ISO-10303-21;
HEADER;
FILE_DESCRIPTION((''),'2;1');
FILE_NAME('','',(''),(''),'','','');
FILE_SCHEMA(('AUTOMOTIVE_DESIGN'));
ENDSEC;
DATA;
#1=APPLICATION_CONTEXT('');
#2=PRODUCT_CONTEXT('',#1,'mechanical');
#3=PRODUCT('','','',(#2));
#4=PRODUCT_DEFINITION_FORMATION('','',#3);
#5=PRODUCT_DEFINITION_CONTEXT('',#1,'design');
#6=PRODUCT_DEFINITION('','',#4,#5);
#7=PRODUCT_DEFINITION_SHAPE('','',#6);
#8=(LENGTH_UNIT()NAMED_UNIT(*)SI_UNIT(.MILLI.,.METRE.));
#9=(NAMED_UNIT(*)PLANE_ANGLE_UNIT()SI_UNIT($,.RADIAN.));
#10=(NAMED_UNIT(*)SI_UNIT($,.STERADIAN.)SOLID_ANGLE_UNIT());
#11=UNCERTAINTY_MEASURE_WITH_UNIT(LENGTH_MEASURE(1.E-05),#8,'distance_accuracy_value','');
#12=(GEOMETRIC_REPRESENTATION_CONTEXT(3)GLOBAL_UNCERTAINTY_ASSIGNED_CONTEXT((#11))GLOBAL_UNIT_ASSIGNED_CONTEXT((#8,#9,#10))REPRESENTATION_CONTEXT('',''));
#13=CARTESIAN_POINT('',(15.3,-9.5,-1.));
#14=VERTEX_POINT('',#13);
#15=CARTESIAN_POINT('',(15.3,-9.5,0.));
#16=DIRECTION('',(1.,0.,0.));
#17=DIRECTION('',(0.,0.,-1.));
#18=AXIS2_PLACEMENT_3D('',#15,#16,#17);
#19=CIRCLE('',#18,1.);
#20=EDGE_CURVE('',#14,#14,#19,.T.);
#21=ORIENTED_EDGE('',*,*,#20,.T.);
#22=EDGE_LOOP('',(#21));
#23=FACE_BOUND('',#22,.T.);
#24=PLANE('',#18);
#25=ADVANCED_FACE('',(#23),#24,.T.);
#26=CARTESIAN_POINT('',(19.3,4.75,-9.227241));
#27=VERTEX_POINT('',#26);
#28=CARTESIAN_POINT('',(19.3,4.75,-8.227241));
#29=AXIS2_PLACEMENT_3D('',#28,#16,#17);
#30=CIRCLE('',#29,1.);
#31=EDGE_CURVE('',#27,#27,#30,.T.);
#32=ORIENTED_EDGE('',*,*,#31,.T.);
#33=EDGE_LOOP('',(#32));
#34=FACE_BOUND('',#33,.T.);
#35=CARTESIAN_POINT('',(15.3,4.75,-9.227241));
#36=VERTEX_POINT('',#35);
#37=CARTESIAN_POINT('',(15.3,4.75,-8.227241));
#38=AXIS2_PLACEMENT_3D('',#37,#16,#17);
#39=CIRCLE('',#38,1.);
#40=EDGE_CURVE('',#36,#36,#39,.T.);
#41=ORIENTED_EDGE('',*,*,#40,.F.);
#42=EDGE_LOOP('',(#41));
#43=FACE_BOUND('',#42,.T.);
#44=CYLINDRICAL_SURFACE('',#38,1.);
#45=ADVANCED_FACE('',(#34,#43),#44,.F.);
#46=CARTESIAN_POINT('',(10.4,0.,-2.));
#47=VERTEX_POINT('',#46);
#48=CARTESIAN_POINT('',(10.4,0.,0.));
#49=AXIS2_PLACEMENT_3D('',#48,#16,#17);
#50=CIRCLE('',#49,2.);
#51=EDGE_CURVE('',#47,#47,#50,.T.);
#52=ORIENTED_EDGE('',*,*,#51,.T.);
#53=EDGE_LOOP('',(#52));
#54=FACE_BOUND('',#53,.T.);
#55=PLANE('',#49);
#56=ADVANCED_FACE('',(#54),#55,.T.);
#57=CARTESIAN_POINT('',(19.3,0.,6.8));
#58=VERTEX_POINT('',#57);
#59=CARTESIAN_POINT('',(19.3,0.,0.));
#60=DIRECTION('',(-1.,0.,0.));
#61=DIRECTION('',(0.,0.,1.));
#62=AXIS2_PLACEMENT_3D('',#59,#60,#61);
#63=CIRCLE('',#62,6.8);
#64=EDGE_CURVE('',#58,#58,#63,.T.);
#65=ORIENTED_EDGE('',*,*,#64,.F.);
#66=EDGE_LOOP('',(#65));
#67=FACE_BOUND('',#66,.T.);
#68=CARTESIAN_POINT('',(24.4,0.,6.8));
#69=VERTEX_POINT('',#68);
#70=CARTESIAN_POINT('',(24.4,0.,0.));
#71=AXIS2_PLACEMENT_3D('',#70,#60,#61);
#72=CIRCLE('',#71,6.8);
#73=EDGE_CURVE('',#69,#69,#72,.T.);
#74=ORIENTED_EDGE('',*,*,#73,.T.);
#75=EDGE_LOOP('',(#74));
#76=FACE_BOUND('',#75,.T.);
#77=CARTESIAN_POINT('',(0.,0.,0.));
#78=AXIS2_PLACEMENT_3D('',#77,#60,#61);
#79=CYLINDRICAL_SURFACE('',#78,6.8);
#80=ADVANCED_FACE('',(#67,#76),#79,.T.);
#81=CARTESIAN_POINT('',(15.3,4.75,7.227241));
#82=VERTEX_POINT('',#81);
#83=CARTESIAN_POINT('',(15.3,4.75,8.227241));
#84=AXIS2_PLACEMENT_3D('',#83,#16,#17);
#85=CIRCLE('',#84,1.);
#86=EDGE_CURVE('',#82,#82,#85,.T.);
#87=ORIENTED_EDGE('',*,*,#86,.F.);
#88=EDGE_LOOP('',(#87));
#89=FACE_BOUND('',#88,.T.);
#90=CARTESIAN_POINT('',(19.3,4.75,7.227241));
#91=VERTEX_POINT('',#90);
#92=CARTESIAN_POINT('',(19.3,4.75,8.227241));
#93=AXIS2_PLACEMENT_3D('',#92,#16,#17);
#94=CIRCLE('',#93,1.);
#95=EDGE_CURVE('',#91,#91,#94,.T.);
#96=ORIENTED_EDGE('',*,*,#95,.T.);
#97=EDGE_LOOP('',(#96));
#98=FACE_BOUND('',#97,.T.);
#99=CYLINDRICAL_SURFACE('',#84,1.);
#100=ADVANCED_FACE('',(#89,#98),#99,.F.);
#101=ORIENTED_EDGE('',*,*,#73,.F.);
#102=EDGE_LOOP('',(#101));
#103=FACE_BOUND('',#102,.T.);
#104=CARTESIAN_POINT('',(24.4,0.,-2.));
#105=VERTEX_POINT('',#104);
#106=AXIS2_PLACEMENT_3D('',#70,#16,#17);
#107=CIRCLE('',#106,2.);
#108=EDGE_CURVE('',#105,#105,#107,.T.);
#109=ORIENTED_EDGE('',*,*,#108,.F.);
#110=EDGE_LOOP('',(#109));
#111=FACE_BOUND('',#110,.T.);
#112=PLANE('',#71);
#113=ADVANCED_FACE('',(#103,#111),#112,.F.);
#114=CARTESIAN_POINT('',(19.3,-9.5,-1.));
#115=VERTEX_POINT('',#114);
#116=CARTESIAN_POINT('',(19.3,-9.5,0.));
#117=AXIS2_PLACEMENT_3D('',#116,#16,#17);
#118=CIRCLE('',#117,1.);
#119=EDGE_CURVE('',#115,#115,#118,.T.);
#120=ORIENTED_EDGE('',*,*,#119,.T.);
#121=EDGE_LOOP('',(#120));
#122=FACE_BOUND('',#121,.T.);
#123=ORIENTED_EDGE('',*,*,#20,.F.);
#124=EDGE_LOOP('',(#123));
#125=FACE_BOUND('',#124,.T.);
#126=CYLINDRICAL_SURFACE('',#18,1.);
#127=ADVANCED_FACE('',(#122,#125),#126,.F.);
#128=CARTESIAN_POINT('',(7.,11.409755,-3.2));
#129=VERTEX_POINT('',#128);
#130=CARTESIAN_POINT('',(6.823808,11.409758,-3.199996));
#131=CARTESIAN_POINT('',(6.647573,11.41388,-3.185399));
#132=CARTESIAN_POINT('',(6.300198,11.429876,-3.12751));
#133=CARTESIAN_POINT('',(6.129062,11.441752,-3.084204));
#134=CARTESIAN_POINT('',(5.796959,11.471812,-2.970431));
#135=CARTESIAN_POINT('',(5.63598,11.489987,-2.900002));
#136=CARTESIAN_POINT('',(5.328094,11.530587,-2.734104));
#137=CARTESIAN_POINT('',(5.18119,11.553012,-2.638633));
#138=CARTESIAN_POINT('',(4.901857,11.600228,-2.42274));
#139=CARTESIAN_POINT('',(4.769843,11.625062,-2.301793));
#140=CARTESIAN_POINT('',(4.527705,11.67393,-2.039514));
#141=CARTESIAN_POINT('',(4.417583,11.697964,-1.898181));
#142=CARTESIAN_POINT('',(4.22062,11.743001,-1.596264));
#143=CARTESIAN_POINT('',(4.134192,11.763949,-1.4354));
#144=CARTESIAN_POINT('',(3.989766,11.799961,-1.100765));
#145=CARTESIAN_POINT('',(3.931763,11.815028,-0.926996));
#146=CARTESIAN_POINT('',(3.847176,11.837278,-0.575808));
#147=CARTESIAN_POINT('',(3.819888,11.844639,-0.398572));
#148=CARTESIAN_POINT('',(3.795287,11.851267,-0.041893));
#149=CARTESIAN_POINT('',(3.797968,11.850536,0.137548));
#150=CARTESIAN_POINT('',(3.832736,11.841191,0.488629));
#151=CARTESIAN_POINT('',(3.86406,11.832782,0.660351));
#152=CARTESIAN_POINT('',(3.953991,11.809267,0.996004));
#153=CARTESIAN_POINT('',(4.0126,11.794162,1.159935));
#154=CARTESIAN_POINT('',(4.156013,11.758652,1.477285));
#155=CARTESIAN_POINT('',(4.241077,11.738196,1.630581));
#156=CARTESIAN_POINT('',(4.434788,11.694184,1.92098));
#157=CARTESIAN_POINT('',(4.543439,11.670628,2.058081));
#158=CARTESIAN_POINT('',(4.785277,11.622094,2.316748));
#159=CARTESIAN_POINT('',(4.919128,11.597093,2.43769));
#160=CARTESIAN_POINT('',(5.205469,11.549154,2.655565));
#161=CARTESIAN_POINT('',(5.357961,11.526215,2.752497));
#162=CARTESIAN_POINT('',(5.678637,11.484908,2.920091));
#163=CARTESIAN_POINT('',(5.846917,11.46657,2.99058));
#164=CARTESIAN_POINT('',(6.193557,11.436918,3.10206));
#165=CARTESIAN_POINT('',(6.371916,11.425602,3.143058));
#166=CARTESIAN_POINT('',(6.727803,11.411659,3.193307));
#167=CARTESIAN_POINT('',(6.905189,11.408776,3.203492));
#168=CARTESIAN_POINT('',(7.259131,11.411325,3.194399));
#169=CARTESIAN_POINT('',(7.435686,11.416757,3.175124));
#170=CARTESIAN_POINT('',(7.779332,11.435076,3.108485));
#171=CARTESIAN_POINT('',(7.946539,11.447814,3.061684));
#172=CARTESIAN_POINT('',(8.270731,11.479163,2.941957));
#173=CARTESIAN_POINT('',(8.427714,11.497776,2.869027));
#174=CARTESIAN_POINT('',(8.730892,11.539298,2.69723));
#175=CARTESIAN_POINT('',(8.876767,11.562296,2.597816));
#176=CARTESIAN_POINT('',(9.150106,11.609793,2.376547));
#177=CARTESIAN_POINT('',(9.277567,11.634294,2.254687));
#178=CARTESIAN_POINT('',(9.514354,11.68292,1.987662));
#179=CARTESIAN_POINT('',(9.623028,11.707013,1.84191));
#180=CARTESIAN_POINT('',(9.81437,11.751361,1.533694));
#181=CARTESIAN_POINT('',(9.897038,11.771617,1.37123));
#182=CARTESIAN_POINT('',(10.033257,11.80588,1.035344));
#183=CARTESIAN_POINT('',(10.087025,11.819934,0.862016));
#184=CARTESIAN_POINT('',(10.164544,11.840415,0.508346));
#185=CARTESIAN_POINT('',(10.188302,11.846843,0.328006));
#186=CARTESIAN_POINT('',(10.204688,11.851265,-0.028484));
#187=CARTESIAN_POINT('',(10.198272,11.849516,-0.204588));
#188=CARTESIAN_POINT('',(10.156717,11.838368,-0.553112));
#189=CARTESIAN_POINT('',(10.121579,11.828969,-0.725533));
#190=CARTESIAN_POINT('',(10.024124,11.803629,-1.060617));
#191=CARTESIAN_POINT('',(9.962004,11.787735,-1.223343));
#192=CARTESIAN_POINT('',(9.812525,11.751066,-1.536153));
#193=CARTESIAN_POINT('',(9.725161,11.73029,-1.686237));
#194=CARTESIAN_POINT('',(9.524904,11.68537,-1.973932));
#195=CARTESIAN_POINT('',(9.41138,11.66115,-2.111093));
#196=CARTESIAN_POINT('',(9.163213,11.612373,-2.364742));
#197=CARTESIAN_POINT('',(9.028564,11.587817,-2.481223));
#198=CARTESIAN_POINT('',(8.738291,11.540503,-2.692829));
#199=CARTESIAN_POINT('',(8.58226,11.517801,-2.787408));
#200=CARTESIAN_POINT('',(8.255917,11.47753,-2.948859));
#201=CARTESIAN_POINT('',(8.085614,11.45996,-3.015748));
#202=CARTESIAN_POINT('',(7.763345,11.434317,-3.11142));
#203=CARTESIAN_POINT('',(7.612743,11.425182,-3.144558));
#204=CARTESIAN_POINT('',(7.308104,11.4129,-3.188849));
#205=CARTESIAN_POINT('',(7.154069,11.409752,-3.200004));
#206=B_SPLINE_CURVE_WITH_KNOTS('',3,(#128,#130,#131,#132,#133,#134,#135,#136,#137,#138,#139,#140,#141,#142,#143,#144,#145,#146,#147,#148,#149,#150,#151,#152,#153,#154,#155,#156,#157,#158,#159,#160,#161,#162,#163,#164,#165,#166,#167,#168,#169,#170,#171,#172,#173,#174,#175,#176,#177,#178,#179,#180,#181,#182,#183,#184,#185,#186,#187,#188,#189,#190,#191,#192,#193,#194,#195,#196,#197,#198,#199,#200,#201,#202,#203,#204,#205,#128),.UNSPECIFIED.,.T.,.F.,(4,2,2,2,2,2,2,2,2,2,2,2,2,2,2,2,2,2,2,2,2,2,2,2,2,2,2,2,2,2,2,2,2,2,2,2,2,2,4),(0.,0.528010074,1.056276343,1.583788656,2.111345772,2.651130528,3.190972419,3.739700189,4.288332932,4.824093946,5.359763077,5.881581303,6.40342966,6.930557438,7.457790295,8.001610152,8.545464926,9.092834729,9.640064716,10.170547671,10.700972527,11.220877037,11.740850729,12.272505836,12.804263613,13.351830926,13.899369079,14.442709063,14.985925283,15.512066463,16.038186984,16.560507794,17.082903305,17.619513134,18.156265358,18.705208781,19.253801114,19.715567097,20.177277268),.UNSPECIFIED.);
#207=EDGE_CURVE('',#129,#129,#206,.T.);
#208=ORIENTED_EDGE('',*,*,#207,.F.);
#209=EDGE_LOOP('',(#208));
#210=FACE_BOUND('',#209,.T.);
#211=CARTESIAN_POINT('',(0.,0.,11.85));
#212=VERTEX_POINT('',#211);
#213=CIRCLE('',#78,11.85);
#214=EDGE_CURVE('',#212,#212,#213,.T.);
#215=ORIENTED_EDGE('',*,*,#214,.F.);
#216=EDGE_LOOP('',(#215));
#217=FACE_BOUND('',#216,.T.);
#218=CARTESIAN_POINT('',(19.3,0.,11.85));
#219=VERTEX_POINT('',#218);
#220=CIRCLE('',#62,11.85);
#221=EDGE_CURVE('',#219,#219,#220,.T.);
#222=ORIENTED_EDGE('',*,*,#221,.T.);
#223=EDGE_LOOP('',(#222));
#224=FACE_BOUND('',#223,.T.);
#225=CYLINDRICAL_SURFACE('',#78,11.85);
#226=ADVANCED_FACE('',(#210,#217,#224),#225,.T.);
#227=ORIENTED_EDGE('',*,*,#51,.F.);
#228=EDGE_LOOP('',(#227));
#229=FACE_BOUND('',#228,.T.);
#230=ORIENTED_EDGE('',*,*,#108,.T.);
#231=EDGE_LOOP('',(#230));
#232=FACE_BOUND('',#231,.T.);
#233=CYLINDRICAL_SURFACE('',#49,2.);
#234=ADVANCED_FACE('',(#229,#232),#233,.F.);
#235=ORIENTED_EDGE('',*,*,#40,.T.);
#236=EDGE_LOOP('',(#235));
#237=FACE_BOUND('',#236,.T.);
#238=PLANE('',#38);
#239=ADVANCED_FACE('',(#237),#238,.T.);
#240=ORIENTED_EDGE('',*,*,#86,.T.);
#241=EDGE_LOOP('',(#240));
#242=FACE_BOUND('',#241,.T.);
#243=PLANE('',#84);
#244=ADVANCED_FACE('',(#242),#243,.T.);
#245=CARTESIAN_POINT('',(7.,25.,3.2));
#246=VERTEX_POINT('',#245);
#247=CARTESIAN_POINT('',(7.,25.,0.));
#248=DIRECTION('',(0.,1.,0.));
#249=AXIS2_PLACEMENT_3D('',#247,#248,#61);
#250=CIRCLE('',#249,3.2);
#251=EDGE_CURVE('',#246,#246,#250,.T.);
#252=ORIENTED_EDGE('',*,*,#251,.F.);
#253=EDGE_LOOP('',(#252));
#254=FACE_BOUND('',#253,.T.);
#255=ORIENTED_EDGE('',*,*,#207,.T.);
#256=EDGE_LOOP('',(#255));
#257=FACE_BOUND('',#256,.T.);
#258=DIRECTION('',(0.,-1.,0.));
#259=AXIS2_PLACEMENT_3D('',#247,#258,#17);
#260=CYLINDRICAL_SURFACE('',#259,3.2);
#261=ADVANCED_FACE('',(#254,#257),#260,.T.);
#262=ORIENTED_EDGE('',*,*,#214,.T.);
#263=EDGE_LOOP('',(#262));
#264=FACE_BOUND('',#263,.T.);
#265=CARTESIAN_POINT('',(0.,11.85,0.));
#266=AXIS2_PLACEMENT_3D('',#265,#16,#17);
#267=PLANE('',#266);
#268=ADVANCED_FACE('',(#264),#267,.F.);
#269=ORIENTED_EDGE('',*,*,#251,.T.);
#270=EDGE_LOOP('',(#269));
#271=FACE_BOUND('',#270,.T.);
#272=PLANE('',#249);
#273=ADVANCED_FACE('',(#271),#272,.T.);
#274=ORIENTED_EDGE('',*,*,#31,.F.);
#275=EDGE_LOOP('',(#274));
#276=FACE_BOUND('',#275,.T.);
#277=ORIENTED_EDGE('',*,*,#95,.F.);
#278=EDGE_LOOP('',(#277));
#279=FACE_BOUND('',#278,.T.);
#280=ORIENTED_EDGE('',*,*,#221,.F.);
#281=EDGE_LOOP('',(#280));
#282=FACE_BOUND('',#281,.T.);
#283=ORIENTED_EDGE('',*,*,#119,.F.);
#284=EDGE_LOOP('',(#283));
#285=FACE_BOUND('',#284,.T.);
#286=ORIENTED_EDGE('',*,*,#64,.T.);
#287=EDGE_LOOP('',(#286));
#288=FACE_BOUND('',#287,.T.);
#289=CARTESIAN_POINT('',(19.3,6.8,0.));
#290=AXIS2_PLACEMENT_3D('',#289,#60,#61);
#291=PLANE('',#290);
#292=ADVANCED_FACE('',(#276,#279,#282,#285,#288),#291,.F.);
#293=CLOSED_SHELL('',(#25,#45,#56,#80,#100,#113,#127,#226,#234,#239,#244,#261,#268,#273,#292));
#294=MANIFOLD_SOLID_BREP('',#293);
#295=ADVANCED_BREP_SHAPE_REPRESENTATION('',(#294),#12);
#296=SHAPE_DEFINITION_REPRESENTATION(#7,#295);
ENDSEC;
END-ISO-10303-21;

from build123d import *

# Parameters (mm, degrees)
ESQUISSE2_R             = 3.2
BOSS_EXTRU_1_DEPTH      = 25
ESQUISSE3_R             = 2
ENL_V_MAT_EXTRU_1_DEPTH = 14
ESQUISSE4_R             = 1
ENL_V_MAT_EXTRU_2_DEPTH = 4


with BuildPart() as part:
    # Esquisse1 → Révolution2 (revolve)
    with BuildSketch(Plane.XY):
        Polygon((0, 0), (24.4, 0), (24.4, 6.8), (19.3, 6.8), (19.3, 11.85), (0, 11.85), align=None)
    revolve(axis=Axis((0, 0, 0), (1, 0, 0)))

    # Esquisse2 → Boss.-Extru.1 (add)
    with BuildSketch(Plane(origin=(0, 0, 0), x_dir=(1, 0, 0), z_dir=(0, 1, 0))):
        with Locations((7, 0)):
            Circle(ESQUISSE2_R)
    extrude(amount=BOSS_EXTRU_1_DEPTH)

    # Esquisse3 → Enlèv. mat.-Extru.1 (cut)
    with BuildSketch(Plane(origin=(24.4, 0, 0), x_dir=(0, 0, -1), z_dir=(1, 0, 0))):
        Circle(ESQUISSE3_R)
    extrude(amount=-ENL_V_MAT_EXTRU_1_DEPTH, mode=Mode.SUBTRACT)

    # Esquisse4 → Enlèv. mat.-Extru.2 (cut)
    with BuildSketch(Plane(origin=(19.3, 0, 0), x_dir=(0, 0, -1), z_dir=(1, 0, 0))):
        with Locations((0, -9.5)):
            Circle(ESQUISSE4_R)
        with Locations((-8.227241336, 4.75)):
            Circle(ESQUISSE4_R)
        with Locations((8.227241336, 4.75)):
            Circle(ESQUISSE4_R)
    extrude(amount=-ENL_V_MAT_EXTRU_2_DEPTH, mode=Mode.SUBTRACT)


solid = part.part
